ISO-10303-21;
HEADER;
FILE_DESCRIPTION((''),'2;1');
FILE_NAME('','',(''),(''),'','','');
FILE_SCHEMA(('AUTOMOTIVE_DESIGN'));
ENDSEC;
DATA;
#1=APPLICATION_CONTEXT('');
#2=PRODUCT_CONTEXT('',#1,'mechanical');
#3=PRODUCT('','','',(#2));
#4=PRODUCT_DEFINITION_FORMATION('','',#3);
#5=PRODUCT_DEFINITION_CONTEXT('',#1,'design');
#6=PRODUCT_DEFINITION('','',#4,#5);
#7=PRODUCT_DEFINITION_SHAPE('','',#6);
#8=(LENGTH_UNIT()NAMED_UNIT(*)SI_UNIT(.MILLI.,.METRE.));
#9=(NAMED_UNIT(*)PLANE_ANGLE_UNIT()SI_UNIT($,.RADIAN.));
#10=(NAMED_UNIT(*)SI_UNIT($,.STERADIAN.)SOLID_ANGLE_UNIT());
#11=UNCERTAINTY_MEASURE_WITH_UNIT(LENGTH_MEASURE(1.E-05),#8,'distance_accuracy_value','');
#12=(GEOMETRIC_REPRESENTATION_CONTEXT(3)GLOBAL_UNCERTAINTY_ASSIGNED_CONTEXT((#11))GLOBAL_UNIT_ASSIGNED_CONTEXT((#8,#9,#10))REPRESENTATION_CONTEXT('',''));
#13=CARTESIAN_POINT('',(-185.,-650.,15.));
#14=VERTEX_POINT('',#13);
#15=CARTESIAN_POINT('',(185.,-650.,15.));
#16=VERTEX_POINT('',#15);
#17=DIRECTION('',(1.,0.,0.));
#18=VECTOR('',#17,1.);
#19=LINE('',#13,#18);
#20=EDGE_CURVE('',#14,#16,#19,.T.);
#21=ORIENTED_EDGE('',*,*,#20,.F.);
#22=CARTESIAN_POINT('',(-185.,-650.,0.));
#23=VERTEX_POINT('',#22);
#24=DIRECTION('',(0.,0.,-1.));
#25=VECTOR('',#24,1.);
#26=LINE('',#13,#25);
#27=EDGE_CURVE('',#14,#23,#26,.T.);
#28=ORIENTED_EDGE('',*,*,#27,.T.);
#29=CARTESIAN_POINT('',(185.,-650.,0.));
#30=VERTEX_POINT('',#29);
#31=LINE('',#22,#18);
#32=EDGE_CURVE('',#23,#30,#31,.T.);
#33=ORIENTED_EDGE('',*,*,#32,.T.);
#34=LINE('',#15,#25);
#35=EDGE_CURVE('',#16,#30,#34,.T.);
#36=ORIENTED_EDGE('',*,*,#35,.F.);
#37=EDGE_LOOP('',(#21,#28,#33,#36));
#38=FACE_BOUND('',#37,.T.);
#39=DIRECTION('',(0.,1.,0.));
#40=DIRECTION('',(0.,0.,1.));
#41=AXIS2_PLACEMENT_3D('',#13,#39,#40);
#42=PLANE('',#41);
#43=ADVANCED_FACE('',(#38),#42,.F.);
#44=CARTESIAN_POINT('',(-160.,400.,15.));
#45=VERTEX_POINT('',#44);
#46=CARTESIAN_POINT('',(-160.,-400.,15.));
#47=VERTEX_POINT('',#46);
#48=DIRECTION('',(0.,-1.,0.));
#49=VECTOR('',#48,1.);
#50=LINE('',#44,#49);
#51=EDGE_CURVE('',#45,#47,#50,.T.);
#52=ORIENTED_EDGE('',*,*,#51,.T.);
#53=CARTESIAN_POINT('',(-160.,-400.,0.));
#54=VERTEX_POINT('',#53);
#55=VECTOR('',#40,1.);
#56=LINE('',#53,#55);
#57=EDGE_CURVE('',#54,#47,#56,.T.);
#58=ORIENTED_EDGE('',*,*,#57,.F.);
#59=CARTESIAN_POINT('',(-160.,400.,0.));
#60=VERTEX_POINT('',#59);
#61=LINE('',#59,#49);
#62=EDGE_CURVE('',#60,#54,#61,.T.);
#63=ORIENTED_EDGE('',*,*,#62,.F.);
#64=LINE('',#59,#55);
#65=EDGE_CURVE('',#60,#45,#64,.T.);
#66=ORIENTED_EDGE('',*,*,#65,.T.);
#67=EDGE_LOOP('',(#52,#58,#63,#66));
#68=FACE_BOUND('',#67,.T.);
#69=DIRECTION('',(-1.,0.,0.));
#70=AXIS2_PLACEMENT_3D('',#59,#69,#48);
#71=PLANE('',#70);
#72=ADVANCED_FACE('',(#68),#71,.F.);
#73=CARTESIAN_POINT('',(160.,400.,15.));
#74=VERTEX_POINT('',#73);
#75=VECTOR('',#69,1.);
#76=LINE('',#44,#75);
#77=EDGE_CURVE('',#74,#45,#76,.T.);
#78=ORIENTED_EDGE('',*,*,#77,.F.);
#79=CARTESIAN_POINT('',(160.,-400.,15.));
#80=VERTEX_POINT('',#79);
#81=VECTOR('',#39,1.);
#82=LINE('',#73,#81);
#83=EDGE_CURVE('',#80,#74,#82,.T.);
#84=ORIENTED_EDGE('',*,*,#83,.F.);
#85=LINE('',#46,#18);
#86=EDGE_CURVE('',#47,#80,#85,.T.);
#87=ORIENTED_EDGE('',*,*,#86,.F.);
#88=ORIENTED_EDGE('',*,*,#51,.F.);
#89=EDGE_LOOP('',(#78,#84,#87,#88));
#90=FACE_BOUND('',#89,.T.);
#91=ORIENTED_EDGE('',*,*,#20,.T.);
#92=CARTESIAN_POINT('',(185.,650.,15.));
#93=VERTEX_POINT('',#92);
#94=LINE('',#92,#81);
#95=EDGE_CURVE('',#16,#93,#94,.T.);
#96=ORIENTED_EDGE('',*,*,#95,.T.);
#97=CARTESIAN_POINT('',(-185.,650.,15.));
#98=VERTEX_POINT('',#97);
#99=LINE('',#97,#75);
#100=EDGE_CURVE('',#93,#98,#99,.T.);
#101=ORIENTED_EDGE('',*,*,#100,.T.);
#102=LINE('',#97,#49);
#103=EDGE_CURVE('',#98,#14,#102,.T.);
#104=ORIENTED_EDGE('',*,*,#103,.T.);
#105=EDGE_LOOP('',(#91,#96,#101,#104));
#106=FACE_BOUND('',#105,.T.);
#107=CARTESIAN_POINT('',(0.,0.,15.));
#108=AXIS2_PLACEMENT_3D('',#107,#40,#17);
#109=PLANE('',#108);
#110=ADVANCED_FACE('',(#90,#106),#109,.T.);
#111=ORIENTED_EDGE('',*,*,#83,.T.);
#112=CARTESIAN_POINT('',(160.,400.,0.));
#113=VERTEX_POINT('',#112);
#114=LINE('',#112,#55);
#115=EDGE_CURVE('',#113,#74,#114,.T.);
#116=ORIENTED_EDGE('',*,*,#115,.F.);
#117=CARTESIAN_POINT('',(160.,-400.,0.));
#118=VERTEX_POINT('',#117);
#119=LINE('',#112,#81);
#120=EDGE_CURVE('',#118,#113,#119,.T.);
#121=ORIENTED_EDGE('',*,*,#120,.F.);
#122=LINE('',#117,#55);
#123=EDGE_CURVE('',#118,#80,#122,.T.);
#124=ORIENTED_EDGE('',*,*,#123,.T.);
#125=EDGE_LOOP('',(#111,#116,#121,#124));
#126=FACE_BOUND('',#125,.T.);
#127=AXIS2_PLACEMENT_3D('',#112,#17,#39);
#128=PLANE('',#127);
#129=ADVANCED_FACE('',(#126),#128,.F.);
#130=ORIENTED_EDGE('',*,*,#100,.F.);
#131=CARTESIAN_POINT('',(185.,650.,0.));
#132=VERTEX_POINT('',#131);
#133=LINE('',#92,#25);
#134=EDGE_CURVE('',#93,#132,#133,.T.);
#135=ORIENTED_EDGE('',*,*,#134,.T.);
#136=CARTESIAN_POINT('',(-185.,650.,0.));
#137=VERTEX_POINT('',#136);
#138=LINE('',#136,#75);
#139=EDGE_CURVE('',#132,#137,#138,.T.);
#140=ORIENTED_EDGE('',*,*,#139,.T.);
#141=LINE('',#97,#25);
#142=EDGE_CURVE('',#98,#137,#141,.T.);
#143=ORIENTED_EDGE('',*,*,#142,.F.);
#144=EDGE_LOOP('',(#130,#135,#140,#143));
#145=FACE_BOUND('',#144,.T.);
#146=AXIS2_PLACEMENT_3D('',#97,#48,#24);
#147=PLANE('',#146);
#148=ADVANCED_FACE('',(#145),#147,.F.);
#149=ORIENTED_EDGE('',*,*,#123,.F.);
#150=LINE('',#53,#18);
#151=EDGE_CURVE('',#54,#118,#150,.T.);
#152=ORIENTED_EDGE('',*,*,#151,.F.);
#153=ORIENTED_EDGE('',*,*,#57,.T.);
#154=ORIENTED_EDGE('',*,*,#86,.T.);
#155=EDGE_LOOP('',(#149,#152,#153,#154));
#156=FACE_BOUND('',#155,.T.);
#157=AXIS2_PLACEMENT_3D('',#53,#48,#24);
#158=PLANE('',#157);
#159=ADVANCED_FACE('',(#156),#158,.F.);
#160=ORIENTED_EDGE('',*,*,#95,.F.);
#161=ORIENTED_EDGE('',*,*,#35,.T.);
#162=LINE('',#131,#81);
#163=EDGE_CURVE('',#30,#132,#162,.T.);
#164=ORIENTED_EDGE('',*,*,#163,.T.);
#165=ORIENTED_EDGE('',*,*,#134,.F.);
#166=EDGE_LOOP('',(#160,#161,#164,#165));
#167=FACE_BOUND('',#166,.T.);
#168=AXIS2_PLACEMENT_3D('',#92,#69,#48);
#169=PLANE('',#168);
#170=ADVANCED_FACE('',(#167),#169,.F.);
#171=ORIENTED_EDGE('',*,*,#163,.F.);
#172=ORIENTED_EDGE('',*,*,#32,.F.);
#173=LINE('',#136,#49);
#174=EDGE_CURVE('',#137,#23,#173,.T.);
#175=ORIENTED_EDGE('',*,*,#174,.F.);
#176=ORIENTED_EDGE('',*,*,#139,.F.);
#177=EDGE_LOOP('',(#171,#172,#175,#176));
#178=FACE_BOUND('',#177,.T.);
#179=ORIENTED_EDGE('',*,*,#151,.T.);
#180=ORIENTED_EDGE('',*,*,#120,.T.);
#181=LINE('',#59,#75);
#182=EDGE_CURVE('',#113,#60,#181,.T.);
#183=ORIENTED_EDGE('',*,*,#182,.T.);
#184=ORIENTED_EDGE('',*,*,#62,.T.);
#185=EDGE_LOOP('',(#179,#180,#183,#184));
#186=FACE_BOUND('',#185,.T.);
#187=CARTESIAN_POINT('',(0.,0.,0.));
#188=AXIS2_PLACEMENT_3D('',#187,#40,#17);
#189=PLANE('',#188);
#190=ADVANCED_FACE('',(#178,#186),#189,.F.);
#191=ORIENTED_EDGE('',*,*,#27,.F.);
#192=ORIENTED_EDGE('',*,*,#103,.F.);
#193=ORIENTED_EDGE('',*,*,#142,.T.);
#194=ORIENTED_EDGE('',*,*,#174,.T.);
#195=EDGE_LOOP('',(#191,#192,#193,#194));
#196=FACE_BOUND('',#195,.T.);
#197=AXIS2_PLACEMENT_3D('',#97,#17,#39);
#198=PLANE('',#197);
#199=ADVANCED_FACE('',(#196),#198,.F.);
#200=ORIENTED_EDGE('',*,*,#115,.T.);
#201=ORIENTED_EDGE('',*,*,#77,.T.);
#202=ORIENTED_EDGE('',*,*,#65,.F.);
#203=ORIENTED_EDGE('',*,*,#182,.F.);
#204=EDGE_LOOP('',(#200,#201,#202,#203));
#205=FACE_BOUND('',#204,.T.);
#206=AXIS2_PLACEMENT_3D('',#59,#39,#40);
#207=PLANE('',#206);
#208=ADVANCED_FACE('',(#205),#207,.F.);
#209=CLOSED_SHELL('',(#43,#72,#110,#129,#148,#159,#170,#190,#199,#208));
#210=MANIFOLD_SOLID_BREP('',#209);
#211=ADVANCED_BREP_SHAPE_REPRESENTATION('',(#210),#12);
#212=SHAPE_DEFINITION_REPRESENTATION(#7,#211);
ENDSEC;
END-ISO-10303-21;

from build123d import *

# Parameters (mm, degrees)
ESBO_O1_W                = 370
ESBO_O1_H                = 1300
RESSALTO_EXTRUS_O1_DEPTH = 15
ESBO_O2_W                = 320
ESBO_O2_H                = 800
CORTE_EXTRUS_O1_DEPTH    = 15


with BuildPart() as part:
    # Esboço1 → Ressalto-extrusão1 (new body)
    with BuildSketch(Plane.XY):
        Rectangle(ESBO_O1_W, ESBO_O1_H)
    extrude(amount=RESSALTO_EXTRUS_O1_DEPTH)

    # Esboço2 → Corte-extrusão1 (cut)
    with BuildSketch(Plane.XY.offset(15)):
        Rectangle(ESBO_O2_W, ESBO_O2_H)
    extrude(amount=-CORTE_EXTRUS_O1_DEPTH, mode=Mode.SUBTRACT)


solid = part.part
